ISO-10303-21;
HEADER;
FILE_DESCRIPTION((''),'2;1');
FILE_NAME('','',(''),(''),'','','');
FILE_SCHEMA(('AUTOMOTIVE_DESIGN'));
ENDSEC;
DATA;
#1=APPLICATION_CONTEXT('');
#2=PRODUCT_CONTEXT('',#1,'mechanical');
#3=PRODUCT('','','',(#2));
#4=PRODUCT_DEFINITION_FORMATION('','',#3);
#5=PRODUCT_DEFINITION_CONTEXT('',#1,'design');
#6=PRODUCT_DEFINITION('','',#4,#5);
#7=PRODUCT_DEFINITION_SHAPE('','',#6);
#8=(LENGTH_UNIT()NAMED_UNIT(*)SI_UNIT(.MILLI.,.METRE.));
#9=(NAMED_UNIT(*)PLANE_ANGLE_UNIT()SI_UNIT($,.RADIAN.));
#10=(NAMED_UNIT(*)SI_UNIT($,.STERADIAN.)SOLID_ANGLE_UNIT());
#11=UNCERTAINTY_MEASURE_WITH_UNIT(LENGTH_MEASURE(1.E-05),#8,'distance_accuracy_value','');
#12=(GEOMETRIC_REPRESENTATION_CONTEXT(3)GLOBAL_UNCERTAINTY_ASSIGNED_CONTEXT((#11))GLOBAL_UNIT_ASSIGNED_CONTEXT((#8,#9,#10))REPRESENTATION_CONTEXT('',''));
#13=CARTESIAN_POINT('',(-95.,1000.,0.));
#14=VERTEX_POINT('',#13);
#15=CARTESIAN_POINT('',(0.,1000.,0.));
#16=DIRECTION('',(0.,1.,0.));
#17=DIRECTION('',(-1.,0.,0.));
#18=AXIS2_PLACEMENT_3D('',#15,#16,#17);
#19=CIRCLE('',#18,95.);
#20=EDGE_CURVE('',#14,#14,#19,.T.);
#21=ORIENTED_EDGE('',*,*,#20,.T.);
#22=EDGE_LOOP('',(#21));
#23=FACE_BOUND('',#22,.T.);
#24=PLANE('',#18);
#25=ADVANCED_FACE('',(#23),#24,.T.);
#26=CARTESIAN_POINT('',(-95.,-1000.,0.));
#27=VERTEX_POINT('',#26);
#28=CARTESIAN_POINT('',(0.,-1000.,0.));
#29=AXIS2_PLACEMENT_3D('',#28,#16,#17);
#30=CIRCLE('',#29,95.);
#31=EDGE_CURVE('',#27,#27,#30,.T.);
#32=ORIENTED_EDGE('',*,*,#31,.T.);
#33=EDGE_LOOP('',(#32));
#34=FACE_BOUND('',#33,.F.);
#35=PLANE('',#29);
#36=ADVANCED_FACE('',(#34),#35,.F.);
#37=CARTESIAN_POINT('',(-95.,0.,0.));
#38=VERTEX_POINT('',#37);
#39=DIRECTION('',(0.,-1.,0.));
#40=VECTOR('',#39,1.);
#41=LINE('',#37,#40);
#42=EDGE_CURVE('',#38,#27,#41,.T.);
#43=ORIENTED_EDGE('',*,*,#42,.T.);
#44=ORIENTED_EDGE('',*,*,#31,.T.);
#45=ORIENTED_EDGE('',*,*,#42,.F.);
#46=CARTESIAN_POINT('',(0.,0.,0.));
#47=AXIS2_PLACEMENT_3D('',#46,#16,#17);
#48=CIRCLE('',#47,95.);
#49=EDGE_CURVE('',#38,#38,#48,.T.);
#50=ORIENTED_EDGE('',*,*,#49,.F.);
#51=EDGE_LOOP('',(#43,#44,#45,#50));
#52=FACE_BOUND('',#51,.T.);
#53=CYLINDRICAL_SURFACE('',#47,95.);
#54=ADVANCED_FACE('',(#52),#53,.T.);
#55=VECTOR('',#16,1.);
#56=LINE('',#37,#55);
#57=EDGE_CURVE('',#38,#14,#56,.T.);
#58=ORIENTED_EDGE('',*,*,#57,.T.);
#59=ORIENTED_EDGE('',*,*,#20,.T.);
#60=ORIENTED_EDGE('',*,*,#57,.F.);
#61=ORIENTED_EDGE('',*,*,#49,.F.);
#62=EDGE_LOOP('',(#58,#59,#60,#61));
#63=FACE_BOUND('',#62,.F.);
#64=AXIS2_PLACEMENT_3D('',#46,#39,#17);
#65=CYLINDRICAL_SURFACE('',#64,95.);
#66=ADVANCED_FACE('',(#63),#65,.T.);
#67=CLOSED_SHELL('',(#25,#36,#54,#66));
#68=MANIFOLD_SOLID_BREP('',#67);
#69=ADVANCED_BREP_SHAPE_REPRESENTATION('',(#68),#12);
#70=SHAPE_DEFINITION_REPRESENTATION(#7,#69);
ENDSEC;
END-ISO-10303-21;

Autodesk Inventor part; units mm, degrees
ref_plane "YZ Plane" through (0, 0, 0) normal (1, 0, 0) x (0, 1, 0)
ref_plane "XZ Plane" through (0, 0, 0) normal (0, 1, 0) x (-1, 0, 0)
ref_plane "XY Plane" through (0, 0, 0) normal (0, 0, 1) x (1, 0, 0)
sketch "Esboço1" plane through (0, 0, 0) normal (0, 1, 0) x (-1, 0, 0)
  circle A0 centre (0, 0) radius 95
  dimension "d0" = 190
extrude "Extrusão1" add sketch "Esboço1" along normal mid plane 2000
properties part number "Perna_mad_001" material "Madeira (Nogueira)"
